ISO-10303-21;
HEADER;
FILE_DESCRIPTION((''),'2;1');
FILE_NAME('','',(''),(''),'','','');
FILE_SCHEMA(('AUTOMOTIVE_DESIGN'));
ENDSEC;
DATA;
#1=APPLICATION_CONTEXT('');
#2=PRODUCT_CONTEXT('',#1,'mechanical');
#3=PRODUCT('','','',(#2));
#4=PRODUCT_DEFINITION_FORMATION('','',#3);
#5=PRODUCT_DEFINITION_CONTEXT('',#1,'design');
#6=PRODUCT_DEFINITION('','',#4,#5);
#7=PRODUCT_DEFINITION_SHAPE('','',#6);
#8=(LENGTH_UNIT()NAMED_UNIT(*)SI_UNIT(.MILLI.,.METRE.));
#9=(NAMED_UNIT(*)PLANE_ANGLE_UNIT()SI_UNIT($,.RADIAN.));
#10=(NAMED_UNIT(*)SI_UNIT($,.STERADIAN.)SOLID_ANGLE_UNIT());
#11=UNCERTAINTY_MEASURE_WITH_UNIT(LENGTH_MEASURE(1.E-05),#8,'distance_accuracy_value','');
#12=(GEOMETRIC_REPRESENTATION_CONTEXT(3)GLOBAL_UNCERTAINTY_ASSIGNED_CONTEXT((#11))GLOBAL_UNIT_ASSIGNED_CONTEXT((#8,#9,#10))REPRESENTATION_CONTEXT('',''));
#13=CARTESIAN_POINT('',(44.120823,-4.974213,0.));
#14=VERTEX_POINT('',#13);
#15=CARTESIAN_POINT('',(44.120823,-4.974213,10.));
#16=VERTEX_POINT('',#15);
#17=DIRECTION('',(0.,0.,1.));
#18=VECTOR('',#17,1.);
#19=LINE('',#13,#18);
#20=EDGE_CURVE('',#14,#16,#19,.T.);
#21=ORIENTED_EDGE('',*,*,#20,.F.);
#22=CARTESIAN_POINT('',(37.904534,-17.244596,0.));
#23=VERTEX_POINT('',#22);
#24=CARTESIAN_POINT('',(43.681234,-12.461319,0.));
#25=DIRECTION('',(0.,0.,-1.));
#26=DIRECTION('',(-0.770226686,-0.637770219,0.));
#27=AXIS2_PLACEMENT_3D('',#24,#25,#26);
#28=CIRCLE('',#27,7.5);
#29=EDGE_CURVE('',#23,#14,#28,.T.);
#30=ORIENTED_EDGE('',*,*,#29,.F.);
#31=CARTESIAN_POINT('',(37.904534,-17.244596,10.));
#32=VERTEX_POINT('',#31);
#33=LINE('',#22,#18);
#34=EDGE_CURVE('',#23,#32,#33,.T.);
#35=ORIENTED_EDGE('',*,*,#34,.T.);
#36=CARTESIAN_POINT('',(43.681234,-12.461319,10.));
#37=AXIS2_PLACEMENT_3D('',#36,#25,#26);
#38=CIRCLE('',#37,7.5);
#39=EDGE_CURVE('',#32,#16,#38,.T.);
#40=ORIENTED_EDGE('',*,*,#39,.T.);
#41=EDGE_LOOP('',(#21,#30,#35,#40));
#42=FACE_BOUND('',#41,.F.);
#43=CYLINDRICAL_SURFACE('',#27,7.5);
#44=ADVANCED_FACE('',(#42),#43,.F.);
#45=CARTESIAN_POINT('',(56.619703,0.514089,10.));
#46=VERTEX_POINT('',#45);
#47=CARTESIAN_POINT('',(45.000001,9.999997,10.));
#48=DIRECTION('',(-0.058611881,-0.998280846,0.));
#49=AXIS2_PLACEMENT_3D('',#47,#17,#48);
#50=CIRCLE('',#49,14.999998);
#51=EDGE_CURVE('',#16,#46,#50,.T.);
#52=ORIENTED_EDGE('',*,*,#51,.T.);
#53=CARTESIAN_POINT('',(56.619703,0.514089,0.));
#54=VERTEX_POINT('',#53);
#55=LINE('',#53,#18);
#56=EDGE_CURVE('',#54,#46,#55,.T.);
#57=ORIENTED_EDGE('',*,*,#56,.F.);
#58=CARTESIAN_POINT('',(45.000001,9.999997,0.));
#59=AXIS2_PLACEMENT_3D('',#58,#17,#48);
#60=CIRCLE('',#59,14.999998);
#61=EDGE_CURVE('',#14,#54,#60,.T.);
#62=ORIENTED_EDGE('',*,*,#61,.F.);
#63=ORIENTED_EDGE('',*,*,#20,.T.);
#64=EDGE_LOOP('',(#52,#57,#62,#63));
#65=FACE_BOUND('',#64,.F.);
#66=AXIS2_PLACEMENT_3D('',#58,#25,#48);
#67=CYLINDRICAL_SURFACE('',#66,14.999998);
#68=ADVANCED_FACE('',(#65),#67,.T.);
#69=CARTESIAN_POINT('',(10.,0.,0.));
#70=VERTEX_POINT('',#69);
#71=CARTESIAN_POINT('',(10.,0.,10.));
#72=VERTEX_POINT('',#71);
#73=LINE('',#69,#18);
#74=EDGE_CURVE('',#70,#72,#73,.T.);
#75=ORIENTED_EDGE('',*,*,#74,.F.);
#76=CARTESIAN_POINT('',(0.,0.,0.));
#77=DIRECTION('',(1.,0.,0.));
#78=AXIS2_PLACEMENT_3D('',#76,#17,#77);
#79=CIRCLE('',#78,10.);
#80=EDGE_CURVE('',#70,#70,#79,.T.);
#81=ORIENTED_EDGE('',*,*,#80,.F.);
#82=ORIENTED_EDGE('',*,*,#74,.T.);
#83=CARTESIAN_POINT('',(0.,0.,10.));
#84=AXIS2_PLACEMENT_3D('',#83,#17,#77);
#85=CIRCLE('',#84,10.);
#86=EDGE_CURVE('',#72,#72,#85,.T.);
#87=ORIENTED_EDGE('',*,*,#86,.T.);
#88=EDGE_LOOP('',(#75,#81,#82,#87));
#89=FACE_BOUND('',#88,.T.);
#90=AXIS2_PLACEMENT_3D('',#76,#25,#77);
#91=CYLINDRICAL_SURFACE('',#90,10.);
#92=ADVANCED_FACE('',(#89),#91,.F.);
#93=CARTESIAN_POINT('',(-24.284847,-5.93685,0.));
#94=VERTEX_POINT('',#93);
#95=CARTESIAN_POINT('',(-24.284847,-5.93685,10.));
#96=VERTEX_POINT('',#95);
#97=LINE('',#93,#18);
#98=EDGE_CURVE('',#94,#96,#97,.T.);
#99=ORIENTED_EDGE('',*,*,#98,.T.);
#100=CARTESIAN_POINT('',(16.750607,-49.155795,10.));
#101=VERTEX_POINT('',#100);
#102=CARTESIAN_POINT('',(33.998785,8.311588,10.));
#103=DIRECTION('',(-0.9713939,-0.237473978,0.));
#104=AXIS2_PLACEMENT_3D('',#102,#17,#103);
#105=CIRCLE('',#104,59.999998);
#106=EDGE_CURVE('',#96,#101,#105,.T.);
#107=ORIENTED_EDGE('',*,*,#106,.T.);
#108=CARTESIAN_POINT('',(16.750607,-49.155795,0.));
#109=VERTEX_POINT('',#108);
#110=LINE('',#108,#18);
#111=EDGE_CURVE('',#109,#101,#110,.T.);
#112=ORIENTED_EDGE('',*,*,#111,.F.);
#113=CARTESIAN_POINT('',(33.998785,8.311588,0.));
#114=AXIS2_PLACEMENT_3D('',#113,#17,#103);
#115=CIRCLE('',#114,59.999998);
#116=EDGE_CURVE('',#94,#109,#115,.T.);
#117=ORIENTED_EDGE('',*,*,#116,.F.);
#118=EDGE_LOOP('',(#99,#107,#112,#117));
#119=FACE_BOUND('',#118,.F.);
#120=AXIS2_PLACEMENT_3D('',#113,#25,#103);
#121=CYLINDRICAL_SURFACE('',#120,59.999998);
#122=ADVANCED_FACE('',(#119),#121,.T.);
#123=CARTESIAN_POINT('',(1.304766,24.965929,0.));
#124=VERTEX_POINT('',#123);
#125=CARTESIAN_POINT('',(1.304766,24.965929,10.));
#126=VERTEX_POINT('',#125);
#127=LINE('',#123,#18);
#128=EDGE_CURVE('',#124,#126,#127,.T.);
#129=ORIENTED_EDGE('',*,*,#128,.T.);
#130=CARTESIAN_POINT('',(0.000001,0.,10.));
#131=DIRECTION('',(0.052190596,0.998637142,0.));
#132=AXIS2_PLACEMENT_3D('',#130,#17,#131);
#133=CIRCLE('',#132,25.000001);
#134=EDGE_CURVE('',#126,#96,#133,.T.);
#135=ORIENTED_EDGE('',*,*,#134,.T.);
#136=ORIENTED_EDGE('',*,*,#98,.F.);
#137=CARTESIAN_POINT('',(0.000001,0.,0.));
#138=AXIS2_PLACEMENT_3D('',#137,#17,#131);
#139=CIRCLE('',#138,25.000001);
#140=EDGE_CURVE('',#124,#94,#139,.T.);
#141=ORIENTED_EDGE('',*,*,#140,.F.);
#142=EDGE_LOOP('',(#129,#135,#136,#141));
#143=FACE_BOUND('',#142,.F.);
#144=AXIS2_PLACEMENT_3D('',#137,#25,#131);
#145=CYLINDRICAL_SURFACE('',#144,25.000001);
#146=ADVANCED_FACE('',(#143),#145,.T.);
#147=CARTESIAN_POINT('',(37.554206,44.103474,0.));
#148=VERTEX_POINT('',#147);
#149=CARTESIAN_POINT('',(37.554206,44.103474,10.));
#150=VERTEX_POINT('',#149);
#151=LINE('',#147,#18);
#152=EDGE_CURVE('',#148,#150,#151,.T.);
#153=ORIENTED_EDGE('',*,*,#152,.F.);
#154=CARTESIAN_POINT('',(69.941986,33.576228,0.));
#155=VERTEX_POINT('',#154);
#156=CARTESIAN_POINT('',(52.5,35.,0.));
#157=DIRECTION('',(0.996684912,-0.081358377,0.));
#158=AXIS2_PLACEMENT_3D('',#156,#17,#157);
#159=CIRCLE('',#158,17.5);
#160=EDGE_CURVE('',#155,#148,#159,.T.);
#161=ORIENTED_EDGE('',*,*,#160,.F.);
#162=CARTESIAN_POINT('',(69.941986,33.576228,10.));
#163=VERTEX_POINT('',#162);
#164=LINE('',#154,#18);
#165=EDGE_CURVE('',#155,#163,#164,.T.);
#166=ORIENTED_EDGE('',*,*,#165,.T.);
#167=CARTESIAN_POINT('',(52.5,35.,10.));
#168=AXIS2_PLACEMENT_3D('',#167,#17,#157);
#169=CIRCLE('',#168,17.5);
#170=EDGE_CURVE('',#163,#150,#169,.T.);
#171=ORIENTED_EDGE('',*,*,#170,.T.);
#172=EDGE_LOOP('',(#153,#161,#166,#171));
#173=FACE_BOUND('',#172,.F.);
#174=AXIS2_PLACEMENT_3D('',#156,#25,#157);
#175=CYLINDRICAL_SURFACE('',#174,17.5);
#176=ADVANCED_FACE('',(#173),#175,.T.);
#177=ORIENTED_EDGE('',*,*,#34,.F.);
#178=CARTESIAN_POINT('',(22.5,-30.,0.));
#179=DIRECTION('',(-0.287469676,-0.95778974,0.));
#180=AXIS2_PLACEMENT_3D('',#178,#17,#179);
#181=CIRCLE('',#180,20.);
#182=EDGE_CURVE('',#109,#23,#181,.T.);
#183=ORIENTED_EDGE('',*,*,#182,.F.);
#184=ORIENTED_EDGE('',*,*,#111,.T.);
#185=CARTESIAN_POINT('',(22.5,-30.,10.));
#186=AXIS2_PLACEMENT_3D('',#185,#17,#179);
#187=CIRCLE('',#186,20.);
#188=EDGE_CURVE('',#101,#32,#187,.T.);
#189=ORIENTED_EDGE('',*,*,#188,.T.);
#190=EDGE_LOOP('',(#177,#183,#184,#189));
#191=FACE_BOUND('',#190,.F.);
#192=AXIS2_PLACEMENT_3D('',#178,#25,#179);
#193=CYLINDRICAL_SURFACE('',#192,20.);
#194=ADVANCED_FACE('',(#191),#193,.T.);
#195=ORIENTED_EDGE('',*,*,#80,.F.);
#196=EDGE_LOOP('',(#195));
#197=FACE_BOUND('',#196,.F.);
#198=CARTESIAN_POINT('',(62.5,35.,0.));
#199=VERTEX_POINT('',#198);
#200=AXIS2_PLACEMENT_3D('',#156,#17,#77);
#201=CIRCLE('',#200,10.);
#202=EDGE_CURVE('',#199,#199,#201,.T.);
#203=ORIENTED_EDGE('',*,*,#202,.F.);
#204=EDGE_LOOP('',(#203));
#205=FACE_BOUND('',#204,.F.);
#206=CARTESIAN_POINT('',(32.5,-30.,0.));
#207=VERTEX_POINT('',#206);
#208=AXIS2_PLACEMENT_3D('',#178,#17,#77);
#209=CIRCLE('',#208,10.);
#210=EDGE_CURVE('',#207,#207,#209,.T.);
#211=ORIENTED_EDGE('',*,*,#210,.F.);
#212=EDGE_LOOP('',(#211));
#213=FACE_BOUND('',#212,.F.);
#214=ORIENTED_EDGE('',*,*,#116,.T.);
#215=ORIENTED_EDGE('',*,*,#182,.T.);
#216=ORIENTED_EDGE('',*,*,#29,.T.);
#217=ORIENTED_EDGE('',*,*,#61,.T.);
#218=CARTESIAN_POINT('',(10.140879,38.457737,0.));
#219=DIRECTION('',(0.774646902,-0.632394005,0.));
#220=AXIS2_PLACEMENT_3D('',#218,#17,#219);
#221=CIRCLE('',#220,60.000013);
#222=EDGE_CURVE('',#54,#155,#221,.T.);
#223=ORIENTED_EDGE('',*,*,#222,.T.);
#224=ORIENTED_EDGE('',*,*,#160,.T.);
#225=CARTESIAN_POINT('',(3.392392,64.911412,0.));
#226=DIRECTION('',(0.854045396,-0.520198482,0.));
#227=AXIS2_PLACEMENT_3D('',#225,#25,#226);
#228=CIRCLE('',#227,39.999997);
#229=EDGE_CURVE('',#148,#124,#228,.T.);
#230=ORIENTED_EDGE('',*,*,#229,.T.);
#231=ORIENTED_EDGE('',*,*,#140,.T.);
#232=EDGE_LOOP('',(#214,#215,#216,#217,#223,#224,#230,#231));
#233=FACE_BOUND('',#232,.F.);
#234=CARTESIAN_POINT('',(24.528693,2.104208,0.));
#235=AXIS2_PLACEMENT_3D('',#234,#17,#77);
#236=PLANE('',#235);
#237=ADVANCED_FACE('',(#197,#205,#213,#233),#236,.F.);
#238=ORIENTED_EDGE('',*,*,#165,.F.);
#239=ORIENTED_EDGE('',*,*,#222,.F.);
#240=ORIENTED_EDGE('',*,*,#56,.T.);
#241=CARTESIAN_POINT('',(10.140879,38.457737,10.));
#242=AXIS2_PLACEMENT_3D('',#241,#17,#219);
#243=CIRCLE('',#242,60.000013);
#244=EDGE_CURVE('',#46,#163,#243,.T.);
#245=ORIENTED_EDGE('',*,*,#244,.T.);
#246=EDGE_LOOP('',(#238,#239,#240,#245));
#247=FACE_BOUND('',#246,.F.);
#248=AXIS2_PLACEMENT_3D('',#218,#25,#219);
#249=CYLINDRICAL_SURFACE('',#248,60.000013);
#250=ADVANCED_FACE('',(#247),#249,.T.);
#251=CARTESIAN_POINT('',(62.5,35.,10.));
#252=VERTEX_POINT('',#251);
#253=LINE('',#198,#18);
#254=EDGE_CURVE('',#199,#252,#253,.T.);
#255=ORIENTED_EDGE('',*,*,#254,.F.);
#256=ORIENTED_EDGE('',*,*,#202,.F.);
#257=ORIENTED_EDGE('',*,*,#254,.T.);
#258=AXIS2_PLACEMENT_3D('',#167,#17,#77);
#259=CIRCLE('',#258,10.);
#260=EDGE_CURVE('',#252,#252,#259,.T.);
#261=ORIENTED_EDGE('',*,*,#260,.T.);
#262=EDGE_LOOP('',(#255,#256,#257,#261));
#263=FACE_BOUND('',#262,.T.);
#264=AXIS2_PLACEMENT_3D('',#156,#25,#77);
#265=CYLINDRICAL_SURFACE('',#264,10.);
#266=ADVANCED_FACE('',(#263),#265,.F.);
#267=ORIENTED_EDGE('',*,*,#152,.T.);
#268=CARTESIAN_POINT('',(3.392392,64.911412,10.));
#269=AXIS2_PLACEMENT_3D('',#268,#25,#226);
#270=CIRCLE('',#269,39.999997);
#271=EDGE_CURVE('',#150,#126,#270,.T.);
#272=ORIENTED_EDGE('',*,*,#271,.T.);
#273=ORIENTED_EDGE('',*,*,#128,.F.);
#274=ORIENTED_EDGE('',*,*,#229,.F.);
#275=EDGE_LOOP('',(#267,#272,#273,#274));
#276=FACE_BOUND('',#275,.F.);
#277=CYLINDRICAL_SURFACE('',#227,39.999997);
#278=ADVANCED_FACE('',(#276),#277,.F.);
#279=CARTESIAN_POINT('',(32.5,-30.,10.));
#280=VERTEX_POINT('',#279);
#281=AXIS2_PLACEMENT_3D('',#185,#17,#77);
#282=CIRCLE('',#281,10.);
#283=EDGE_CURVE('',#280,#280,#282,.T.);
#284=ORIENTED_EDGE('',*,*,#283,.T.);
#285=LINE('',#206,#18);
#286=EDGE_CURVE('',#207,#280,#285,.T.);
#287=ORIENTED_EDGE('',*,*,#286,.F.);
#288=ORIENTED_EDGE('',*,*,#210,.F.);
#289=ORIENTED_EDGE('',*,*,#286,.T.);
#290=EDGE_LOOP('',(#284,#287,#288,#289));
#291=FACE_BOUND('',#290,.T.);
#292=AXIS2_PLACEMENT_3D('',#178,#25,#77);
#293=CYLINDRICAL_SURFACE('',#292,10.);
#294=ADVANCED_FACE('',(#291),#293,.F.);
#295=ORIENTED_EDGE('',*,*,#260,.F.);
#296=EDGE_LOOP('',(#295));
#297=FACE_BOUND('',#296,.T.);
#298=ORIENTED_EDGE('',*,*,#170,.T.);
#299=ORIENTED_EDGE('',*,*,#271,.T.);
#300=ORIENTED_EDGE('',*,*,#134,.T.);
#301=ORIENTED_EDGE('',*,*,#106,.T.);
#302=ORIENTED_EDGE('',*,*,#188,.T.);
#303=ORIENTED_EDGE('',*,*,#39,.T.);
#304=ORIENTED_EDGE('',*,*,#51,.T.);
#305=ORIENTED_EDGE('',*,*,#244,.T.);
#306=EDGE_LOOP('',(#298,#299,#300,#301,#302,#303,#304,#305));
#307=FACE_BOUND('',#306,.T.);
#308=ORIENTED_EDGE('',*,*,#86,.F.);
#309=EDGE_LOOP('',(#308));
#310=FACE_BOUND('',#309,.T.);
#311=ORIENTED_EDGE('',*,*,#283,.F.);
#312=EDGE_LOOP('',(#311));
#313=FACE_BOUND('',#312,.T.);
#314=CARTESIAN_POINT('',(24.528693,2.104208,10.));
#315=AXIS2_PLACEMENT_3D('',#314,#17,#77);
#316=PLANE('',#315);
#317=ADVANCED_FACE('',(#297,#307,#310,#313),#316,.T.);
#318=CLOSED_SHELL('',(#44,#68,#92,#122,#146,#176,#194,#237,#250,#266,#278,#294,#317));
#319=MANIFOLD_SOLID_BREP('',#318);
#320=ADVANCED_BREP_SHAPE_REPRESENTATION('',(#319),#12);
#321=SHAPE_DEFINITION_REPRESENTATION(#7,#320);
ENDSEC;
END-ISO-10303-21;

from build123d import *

# Parameters (mm, degrees)
F0_R     = 10
F1_DEPTH = 10


with BuildPart() as f1:
    # F0 (on Top) → F1 (new body)
    with BuildSketch(Plane.XY):
        with BuildLine():
            ThreePointArc((1.304766, 24.965929), (-19.255297, 15.944702), (-24.284847, -5.93685))
            ThreePointArc((-24.284847, -5.93685), (-9.512511, -33.001447), (16.750607, -49.155795))
            ThreePointArc((16.750607, -49.155795), (39.169931, -41.050494), (37.904534, -17.244596))
            ThreePointArc((37.904534, -17.244596), (36.990811, -9.071889), (44.120823, -4.974213))
            ThreePointArc((44.120823, -4.974213), (51.030762, -3.734261), (56.619703, 0.514089))
            ThreePointArc((56.619703, 0.514089), (65.792763, 16.032989), (69.941986, 33.576228))
            ThreePointArc((69.941986, 33.576228), (57.909572, 51.642912), (37.554206, 44.103474))
            ThreePointArc((37.554206, 44.103474), (22.067235, 29.538399), (1.304766, 24.965929))
        make_face()
        Circle(F0_R, mode=Mode.SUBTRACT)
        with Locations((22.5, -30)):
            Circle(F0_R, mode=Mode.SUBTRACT)
        with Locations((52.5, 35)):
            Circle(F0_R, mode=Mode.SUBTRACT)
    extrude(amount=F1_DEPTH)


solid = f1.part
